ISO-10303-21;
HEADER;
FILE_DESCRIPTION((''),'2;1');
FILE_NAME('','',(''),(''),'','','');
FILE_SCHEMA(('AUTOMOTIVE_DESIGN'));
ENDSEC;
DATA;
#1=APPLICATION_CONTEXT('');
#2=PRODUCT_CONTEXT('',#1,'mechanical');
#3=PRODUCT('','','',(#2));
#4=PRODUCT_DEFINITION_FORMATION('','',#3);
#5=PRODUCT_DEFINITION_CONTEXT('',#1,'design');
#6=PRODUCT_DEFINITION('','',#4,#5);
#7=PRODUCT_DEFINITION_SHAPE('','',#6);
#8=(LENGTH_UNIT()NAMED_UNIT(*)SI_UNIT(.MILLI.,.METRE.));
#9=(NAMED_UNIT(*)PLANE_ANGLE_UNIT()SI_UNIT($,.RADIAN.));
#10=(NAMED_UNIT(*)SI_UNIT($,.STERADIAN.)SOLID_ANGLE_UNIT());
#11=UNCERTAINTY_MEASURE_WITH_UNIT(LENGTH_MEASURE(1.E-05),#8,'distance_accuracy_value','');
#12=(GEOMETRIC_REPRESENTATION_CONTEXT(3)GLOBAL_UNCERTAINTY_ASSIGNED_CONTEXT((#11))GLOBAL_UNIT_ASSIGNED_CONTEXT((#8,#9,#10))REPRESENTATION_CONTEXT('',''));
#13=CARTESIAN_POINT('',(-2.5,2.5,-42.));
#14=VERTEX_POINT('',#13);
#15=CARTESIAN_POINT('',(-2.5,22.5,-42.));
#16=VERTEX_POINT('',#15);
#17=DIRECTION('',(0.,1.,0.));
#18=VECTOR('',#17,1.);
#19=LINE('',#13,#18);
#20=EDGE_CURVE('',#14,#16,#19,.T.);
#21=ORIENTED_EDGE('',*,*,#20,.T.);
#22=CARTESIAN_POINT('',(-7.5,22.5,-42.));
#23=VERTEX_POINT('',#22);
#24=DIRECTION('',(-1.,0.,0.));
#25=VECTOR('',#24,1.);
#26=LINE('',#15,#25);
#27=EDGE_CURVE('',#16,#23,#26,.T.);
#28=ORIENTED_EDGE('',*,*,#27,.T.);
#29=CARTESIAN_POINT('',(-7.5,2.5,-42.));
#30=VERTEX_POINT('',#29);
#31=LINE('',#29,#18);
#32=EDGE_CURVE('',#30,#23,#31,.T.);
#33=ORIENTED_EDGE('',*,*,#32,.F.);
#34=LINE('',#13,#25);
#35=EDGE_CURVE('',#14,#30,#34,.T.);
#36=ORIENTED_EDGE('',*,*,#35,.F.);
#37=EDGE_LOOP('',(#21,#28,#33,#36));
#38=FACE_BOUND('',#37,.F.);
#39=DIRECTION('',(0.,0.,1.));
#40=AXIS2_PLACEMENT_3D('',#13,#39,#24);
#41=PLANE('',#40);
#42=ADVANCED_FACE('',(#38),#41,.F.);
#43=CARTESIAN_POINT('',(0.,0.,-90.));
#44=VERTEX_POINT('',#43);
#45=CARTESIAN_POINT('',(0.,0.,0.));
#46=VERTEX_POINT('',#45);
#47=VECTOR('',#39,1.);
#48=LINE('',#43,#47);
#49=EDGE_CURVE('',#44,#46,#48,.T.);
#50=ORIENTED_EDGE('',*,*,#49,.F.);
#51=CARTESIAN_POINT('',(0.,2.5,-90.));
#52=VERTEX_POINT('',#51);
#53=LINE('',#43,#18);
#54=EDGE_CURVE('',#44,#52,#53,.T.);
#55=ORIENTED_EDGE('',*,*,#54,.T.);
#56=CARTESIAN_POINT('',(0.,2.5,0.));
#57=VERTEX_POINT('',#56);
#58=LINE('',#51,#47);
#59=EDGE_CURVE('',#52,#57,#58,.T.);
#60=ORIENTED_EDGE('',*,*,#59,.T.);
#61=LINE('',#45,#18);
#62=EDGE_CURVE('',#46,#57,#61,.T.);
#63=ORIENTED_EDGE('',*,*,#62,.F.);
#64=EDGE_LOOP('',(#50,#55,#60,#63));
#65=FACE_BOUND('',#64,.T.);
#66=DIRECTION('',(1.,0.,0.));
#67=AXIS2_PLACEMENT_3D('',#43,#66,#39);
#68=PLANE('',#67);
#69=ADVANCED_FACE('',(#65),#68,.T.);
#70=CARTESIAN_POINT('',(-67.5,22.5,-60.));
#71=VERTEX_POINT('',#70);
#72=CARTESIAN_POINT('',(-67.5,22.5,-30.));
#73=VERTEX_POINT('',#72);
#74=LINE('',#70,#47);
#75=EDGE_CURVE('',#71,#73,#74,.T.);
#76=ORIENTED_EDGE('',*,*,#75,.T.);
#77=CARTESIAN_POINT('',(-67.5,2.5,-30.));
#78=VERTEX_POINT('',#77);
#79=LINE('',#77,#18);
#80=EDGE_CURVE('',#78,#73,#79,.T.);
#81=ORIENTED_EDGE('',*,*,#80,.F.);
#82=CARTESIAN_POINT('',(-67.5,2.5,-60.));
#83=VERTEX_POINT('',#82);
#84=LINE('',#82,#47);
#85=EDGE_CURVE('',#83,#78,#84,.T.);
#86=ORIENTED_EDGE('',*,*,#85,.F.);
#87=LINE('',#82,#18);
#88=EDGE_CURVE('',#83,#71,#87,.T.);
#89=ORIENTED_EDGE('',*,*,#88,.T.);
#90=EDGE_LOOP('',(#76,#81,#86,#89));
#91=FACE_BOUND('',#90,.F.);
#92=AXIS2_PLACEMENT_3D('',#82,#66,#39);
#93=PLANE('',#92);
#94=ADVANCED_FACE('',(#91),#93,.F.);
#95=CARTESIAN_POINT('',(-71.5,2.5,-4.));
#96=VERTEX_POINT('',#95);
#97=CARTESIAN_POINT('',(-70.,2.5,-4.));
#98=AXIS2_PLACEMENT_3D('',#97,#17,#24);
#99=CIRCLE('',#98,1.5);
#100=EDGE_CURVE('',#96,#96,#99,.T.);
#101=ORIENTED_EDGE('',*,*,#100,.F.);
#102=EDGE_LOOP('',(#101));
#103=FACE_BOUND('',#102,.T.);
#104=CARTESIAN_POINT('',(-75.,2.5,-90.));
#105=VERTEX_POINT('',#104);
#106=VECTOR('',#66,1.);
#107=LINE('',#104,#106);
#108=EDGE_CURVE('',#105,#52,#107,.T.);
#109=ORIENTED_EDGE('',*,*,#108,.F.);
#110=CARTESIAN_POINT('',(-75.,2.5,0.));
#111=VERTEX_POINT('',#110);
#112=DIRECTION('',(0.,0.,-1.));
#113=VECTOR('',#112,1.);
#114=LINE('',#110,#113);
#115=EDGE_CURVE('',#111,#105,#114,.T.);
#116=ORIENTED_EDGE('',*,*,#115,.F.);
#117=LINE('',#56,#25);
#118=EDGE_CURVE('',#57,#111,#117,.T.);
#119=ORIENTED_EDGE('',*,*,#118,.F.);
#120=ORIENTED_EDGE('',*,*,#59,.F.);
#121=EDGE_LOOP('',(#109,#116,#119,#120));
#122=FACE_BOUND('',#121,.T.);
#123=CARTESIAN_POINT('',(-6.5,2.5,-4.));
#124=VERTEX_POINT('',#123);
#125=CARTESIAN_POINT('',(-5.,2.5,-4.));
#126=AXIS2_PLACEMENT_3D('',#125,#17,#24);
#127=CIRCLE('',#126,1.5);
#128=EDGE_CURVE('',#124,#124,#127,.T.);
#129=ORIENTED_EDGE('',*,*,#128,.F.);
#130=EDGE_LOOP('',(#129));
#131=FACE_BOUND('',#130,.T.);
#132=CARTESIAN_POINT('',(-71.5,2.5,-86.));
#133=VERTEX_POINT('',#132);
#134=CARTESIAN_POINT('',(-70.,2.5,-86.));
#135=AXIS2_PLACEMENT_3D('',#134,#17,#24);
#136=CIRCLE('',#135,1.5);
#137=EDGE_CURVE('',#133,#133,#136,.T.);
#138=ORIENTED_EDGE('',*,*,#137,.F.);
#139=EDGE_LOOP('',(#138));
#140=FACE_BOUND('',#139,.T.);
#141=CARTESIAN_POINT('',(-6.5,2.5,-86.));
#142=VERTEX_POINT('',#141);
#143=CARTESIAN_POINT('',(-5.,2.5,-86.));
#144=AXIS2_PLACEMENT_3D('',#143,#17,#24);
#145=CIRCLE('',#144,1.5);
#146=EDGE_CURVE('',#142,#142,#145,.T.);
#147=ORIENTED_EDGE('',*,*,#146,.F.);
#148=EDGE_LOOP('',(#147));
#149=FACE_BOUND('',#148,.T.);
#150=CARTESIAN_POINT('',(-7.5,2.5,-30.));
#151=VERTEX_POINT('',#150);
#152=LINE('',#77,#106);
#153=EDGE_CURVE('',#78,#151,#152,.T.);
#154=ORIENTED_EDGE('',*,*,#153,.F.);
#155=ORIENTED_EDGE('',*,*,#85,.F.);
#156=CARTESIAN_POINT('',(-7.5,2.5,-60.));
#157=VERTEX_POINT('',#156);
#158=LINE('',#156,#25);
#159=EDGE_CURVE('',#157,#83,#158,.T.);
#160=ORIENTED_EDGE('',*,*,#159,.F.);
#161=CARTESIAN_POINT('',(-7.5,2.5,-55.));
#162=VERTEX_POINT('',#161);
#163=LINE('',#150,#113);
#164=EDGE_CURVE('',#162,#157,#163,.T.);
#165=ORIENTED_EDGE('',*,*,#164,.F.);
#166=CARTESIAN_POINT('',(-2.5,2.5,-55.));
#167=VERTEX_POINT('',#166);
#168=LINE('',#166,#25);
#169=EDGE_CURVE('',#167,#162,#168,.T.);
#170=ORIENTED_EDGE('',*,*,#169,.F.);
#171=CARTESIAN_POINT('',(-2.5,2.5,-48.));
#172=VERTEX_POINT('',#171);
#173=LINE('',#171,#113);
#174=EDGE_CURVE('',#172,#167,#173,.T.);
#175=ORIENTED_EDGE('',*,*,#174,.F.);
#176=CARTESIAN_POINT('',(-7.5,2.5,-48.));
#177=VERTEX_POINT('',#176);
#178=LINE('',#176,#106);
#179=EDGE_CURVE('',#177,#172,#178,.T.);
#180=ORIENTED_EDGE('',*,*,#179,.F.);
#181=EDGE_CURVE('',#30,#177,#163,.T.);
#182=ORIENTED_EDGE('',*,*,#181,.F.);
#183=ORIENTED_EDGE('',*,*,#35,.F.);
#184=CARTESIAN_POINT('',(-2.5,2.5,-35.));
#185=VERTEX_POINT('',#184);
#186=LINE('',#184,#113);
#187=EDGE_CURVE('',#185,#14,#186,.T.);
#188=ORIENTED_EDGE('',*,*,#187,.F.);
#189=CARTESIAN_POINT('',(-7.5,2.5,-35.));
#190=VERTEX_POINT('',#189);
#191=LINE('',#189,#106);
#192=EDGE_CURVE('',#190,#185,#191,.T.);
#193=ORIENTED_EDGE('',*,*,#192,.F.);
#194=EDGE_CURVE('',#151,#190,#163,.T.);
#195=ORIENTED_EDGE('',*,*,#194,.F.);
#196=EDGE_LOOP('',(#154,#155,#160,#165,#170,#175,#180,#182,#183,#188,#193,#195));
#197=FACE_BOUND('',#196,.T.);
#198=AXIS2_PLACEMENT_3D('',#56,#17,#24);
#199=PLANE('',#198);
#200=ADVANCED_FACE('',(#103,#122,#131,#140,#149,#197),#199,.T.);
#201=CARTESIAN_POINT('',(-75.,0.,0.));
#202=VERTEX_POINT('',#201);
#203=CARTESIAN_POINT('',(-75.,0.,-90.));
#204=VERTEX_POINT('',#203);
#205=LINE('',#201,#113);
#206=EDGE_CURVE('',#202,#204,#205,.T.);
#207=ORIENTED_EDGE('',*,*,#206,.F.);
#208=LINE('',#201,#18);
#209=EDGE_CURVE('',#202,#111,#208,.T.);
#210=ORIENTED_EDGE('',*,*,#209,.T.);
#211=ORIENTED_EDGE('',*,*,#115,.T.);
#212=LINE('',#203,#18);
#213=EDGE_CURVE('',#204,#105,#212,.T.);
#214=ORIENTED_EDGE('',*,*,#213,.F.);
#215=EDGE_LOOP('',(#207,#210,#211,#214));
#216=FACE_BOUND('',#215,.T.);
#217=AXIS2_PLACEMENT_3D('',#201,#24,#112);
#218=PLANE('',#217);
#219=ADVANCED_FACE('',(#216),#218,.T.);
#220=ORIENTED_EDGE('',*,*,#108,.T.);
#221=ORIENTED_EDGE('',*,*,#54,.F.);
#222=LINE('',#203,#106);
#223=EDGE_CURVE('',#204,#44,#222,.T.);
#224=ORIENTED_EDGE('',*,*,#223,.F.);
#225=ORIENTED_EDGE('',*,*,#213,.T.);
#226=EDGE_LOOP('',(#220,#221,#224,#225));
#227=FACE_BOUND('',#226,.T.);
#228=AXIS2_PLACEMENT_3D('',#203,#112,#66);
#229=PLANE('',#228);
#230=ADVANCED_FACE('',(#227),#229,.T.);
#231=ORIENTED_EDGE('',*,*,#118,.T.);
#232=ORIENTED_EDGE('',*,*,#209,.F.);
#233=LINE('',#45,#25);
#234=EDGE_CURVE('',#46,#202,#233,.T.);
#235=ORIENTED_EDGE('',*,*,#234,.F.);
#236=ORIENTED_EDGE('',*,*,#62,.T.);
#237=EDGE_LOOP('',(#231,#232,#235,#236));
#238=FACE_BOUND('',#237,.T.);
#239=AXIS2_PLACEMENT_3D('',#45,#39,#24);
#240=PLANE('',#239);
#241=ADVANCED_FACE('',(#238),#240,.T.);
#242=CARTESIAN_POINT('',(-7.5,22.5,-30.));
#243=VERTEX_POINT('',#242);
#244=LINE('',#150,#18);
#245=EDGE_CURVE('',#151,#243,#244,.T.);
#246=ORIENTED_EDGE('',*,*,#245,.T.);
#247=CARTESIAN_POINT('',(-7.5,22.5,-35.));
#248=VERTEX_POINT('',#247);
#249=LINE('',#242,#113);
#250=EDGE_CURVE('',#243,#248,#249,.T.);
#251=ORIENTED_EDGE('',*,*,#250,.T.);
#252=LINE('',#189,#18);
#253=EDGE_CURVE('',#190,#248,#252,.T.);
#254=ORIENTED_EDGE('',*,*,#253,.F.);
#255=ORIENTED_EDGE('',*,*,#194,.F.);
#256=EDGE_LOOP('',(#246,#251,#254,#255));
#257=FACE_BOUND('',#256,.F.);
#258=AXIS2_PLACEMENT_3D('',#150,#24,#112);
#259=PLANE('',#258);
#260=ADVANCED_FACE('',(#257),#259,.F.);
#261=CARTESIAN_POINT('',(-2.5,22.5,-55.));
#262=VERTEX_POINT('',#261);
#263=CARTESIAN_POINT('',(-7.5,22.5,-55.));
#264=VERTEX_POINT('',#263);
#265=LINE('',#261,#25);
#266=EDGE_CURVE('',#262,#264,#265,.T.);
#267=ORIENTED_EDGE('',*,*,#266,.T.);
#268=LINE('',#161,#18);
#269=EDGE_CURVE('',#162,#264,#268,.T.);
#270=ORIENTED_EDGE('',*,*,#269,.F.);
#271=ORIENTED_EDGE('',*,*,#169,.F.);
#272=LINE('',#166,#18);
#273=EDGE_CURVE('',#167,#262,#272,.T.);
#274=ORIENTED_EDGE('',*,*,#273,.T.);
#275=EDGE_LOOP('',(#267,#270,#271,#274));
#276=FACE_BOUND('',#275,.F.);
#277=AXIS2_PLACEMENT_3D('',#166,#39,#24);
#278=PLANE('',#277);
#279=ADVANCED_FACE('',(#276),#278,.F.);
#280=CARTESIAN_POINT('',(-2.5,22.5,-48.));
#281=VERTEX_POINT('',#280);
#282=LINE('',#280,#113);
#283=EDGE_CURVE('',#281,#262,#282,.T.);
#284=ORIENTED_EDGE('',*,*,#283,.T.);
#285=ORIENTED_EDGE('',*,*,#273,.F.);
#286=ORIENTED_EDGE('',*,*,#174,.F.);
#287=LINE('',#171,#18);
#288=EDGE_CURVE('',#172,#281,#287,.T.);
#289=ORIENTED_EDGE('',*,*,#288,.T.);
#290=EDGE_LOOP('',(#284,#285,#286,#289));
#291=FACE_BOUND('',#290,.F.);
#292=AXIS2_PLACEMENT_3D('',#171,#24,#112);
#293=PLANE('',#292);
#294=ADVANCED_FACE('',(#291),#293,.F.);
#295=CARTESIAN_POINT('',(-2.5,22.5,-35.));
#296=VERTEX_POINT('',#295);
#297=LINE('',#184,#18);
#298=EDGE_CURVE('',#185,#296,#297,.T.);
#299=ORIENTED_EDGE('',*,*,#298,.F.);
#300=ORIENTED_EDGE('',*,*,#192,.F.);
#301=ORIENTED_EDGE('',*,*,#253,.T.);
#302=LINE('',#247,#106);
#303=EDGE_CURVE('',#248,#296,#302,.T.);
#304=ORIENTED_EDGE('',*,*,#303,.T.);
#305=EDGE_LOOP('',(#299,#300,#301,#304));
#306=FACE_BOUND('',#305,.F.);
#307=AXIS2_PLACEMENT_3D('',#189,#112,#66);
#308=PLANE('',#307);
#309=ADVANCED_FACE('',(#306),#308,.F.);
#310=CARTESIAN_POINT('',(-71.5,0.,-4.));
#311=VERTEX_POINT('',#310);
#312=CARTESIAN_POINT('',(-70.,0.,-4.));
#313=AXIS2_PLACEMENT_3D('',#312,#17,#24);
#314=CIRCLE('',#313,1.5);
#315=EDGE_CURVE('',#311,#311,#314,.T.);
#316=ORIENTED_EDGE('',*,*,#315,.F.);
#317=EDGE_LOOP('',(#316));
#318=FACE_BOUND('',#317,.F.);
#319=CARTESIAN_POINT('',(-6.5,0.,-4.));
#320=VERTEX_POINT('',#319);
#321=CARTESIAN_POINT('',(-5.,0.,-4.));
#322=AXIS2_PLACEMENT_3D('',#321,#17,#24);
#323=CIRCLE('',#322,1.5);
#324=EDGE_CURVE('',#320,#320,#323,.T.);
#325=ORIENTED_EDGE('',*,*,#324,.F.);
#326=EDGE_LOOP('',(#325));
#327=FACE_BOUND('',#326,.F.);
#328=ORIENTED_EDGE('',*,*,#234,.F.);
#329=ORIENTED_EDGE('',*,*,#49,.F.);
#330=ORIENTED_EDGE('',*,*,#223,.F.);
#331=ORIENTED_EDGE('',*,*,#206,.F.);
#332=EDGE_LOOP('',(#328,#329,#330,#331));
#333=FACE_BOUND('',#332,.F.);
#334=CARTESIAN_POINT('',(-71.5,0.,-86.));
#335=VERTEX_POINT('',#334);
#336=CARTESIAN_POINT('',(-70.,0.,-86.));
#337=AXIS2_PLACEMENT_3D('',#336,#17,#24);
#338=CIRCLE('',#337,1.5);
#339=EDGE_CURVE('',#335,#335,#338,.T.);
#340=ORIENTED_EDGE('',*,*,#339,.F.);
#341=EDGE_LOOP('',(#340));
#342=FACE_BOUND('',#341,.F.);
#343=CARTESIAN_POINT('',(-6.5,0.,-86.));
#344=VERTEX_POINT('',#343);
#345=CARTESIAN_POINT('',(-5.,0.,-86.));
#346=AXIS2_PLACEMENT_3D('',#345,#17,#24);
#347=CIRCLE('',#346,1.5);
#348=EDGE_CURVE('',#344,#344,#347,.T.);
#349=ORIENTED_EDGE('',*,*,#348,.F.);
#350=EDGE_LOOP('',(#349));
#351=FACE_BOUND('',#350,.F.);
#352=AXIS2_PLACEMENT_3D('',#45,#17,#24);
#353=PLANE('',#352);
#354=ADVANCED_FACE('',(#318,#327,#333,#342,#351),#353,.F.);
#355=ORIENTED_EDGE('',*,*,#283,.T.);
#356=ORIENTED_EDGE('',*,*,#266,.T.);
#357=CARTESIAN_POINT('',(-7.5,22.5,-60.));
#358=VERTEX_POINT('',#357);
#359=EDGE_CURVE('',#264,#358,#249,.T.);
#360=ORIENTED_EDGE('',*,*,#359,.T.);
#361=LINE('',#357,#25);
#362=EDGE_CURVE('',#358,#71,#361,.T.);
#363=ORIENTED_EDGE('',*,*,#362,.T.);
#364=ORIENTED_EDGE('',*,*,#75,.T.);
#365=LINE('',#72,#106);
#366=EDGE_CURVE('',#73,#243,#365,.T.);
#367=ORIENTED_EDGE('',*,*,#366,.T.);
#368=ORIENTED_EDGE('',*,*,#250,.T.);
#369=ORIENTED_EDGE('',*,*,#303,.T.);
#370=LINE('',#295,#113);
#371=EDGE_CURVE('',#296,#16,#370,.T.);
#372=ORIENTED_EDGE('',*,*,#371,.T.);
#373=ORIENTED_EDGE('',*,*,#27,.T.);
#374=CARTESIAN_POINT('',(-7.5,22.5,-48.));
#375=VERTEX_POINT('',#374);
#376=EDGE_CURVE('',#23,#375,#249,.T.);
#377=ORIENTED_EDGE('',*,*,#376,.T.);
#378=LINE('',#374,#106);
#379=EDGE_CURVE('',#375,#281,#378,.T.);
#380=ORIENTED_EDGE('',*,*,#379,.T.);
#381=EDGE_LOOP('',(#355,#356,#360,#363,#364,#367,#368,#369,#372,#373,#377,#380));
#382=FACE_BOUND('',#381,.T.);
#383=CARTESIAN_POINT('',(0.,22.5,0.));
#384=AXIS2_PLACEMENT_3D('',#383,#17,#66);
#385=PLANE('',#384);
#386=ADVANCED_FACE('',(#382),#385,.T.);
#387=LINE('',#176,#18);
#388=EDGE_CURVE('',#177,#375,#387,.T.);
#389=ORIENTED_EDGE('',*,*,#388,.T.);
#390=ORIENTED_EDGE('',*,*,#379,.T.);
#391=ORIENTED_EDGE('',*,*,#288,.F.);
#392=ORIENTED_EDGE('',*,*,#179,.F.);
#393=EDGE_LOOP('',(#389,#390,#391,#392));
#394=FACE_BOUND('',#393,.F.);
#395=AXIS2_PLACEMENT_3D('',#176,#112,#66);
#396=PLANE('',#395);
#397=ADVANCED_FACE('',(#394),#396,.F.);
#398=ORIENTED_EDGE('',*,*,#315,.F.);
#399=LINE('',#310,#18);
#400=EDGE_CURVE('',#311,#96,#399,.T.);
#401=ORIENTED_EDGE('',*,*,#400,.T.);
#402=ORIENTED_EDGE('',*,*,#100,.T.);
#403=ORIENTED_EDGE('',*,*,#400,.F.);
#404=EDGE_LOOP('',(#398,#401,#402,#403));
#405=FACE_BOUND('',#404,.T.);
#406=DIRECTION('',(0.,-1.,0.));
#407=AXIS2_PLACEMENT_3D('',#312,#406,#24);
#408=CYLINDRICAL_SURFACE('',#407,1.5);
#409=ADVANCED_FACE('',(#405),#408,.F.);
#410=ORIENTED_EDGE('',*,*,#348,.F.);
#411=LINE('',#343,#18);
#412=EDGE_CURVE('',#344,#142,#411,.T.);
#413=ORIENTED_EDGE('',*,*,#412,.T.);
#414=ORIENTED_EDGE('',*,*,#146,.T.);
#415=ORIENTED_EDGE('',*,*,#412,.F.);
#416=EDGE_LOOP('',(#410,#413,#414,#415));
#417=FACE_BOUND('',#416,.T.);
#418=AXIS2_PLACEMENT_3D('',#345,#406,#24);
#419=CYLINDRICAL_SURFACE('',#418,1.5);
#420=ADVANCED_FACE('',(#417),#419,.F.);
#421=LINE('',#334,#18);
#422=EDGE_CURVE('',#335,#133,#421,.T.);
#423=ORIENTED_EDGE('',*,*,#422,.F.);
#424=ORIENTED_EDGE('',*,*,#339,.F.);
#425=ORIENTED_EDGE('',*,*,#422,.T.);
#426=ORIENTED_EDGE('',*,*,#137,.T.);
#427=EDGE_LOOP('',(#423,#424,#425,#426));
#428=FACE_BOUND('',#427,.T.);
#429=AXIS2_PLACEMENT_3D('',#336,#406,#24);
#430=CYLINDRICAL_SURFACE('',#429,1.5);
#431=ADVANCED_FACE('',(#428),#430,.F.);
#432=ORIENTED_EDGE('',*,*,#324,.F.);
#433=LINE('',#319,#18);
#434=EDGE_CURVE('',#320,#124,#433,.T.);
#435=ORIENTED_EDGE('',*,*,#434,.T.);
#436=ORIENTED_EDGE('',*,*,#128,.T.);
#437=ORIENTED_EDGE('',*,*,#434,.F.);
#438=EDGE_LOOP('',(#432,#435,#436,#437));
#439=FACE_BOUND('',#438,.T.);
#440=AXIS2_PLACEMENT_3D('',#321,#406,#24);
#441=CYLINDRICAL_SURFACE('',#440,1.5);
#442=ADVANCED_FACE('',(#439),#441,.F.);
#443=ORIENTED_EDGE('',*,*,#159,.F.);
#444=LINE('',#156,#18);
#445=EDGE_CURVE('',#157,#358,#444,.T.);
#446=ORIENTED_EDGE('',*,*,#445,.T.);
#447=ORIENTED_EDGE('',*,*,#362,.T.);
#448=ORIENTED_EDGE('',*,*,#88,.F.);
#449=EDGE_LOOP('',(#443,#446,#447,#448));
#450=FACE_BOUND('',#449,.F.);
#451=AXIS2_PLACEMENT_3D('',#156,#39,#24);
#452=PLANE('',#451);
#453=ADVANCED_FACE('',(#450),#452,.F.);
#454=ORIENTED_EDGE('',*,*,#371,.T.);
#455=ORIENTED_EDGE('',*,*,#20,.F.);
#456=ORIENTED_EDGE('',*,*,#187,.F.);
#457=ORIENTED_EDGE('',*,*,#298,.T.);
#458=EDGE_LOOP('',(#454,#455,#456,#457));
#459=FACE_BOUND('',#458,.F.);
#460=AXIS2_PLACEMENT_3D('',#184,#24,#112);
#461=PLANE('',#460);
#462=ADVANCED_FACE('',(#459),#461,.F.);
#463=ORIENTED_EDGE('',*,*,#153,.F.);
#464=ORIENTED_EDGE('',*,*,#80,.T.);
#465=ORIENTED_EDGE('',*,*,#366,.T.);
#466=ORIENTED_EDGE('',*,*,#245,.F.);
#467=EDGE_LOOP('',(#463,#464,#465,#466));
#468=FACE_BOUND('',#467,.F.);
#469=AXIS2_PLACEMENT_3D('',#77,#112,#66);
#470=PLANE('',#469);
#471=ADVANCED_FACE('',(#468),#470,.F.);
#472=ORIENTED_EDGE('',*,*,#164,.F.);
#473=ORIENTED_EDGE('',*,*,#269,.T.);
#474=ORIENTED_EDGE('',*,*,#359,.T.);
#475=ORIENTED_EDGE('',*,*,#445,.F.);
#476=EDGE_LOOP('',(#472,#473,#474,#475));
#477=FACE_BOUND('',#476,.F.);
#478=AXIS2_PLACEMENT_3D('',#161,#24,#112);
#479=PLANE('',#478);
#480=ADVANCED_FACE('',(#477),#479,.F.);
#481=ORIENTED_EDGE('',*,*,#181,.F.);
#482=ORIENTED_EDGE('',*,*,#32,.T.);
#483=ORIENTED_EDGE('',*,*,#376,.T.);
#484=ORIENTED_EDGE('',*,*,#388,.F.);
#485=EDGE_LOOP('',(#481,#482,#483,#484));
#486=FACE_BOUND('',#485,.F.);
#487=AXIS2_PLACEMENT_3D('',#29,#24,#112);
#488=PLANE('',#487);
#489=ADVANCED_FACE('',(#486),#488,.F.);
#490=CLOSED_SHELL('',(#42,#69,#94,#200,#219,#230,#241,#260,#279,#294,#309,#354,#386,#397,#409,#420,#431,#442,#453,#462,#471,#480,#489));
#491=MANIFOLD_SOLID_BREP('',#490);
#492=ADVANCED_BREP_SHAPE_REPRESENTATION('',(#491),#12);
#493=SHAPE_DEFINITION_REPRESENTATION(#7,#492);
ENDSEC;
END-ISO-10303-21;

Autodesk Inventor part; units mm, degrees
ref_plane "YZ Plane" through (0, 0, 0) normal (1, 0, 0) x (0, 1, 0)
ref_plane "XZ Plane" through (0, 0, 0) normal (0, 1, 0) x (-1, 0, 0)
ref_plane "XY Plane" through (0, 0, 0) normal (0, 0, 1) x (1, 0, 0)
sketch "スケッチ1" plane through (0, 0, 0) normal (0, 1, 0) x (-1, 0, 0)
  line L0 (0, 0) -> (75, 0)
  line L1 (75, 0) -> (75, -90)
  line L2 (75, -90) -> (0, -90)
  line L3 (0, -90) -> (0, 0)
  circle A0 centre (70, -4) radius 1.5
  circle A1 centre (70, -86) radius 1.5
  circle A2 centre (5, -4) radius 1.5
  circle A3 centre (5, -86) radius 1.5
  dimension "d0" = 75
  dimension "d1" = 90
  dimension "d4" = 3
  dimension "d5" = 5
  dimension "d6" = 4
  dimension "d7" = 4
  dimension "d8" = 5
  dimension "d9" = 5
  dimension "d10" = 4
  dimension "d11" = 4
extrude "押し出し1" add sketch "スケッチ1" along normal blind 2.5
sketch "スケッチ2" plane through (0, 2.5, 0) normal (0, 1, 0) x (1, 0, 0)
  line L0 (-67.5, 30) -> (-7.5, 30)
  line L1 (-7.5, 30) -> (-7.5, 60)
  line L2 (-7.5, 60) -> (-67.5, 60)
  line L3 (-67.5, 60) -> (-67.5, 30)
  line L4 (-75, 90) -> (-75, 0) projected
  line L5 (0, 90) -> (-75, 90) projected
  line L6 (-7.5, 35) -> (-2.5, 35)
  line L7 (-2.5, 35) -> (-2.5, 42)
  line L8 (-2.5, 42) -> (-7.5, 42)
  line L9 (-7.5, 42) -> (-7.5, 35)
  line L10 (-7.5, 48) -> (-2.5, 48)
  line L11 (-2.5, 48) -> (-2.5, 55)
  line L12 (-2.5, 55) -> (-7.5, 55)
  line L13 (-7.5, 55) -> (-7.5, 48)
  point P0 (0, 0)
  point P1 (-67.5, 45)
  point P2 (-75, 45)
  point P3 (-37.5, 60)
  point P4 (-37.5, 90)
  dimension "d13" = 30
  dimension "d14" = 60
  dimension "d15" = 5
  dimension "d16" = 5
  dimension "d17" = 7
  dimension "d18" = 5
extrude "押し出し2" add sketch "スケッチ2" along normal blind 20
equation "\"d7\" = d6"
equation "\"d9\" = d5"
equation "\"d10\" = d6"
equation "\"d11\" = d6"
equation "\"d16\" = d15"
properties part number "control_board"
